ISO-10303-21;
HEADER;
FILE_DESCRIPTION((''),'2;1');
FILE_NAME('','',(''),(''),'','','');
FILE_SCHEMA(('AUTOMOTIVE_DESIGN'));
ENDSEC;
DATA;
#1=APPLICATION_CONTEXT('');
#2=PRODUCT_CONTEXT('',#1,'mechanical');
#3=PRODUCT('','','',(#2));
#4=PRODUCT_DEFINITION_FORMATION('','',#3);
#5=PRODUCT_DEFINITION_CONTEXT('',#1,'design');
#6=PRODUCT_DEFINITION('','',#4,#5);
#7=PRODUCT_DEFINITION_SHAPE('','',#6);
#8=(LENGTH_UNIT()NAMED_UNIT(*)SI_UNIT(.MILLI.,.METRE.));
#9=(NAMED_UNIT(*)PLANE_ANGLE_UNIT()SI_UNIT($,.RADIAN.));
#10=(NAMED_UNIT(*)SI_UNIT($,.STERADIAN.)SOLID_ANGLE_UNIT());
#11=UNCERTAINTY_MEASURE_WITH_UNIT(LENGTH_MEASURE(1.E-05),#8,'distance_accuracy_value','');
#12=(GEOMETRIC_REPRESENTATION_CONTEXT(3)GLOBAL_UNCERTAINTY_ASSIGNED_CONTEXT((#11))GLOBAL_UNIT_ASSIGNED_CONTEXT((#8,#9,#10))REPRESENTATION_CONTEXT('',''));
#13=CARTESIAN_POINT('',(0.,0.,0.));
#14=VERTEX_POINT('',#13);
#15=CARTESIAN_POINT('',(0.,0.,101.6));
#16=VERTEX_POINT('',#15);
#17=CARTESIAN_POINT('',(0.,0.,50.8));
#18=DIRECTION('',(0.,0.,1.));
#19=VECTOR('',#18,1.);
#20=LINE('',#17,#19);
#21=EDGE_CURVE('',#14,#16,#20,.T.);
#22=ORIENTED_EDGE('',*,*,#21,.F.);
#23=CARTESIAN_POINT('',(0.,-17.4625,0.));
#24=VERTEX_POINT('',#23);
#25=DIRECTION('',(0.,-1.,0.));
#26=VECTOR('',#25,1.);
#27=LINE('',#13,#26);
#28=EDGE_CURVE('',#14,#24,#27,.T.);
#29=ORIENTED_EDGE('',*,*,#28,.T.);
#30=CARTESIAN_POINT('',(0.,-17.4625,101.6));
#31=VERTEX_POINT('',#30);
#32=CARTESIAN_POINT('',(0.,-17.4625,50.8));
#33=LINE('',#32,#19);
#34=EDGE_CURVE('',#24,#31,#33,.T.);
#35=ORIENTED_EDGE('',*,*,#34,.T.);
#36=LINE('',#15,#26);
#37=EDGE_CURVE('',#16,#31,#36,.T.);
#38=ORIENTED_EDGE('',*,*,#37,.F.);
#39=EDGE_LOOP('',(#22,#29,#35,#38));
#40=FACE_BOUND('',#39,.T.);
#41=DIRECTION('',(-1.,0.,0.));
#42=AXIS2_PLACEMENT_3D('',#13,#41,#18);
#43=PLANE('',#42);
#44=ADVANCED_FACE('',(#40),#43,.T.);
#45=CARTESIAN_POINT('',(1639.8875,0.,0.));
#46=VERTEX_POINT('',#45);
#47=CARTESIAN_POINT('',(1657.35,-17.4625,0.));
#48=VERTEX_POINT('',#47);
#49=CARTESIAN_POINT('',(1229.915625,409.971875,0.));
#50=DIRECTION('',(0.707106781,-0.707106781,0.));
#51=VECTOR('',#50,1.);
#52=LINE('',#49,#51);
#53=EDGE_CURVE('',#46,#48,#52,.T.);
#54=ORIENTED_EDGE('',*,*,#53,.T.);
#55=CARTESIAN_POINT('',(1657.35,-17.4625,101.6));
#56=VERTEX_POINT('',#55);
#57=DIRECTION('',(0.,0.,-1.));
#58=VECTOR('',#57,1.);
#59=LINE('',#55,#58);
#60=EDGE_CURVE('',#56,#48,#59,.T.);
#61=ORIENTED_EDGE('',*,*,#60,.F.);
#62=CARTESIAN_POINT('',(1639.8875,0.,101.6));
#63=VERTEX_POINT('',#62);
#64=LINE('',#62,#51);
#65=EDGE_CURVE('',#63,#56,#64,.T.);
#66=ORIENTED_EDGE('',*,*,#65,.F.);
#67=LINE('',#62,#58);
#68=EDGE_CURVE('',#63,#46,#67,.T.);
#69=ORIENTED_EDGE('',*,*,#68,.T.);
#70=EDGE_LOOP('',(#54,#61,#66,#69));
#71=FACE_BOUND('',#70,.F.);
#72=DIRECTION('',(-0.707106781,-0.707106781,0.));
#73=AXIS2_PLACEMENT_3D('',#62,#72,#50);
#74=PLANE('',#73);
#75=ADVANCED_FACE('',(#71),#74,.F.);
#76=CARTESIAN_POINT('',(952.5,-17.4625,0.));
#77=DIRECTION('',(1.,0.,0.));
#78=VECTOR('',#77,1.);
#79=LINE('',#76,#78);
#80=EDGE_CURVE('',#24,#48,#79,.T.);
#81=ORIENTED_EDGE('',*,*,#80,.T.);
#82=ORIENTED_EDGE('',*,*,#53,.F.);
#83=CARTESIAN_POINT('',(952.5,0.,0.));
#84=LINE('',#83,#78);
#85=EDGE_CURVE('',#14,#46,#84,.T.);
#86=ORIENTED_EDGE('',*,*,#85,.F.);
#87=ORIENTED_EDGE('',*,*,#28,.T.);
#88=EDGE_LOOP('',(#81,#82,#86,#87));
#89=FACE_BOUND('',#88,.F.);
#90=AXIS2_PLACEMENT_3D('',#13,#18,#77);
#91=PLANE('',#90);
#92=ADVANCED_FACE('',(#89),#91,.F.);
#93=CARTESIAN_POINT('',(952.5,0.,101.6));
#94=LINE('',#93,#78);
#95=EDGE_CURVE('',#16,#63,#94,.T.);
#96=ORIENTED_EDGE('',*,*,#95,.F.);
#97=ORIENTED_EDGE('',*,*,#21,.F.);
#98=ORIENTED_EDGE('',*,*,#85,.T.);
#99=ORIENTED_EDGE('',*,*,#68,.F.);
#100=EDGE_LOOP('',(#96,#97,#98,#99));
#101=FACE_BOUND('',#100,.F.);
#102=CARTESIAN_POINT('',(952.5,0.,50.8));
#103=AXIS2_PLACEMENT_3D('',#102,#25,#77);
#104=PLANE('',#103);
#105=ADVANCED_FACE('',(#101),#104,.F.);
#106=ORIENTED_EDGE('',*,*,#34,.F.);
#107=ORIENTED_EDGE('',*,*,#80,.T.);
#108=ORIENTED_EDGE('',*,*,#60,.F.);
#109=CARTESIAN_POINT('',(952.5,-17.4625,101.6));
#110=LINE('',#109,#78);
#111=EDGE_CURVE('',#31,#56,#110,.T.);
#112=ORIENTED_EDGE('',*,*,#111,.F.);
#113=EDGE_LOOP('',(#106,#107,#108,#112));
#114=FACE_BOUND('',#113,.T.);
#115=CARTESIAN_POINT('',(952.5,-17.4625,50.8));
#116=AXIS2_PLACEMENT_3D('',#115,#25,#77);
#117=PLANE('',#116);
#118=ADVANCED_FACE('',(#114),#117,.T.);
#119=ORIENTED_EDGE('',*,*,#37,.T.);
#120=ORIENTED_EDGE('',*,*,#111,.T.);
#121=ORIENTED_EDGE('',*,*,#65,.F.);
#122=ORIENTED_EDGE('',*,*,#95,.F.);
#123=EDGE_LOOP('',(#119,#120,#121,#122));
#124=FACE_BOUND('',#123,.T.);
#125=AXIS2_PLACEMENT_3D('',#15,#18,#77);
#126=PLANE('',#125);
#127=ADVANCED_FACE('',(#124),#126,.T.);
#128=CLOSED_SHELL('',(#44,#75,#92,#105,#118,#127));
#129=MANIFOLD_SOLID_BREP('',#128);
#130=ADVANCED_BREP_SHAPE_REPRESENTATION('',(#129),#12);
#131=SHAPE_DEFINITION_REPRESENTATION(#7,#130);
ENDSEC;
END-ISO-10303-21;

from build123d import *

# Parameters (mm, degrees)
F0_W     = 1905
F0_H     = 101.6
F1_DEPTH = 17.4625
F3_DEPTH = 101.601


with BuildPart() as f1:
    # F0 (on Front) → F1 (new body)
    with BuildSketch(Plane.XZ):
        with Locations((952.5, 50.8)):
            Rectangle(F0_W, F0_H)
    extrude(amount=F1_DEPTH)

    # F2 (on face) → F3 (cut, through all)
    with BuildSketch(Plane.XY.offset(101.6)):
        Polygon((1639.8875, 0), (1657.35, -17.4625), (1905, -17.4625), (1905, 0), align=None)
    extrude(amount=-F3_DEPTH, mode=Mode.SUBTRACT)


solid = f1.part
